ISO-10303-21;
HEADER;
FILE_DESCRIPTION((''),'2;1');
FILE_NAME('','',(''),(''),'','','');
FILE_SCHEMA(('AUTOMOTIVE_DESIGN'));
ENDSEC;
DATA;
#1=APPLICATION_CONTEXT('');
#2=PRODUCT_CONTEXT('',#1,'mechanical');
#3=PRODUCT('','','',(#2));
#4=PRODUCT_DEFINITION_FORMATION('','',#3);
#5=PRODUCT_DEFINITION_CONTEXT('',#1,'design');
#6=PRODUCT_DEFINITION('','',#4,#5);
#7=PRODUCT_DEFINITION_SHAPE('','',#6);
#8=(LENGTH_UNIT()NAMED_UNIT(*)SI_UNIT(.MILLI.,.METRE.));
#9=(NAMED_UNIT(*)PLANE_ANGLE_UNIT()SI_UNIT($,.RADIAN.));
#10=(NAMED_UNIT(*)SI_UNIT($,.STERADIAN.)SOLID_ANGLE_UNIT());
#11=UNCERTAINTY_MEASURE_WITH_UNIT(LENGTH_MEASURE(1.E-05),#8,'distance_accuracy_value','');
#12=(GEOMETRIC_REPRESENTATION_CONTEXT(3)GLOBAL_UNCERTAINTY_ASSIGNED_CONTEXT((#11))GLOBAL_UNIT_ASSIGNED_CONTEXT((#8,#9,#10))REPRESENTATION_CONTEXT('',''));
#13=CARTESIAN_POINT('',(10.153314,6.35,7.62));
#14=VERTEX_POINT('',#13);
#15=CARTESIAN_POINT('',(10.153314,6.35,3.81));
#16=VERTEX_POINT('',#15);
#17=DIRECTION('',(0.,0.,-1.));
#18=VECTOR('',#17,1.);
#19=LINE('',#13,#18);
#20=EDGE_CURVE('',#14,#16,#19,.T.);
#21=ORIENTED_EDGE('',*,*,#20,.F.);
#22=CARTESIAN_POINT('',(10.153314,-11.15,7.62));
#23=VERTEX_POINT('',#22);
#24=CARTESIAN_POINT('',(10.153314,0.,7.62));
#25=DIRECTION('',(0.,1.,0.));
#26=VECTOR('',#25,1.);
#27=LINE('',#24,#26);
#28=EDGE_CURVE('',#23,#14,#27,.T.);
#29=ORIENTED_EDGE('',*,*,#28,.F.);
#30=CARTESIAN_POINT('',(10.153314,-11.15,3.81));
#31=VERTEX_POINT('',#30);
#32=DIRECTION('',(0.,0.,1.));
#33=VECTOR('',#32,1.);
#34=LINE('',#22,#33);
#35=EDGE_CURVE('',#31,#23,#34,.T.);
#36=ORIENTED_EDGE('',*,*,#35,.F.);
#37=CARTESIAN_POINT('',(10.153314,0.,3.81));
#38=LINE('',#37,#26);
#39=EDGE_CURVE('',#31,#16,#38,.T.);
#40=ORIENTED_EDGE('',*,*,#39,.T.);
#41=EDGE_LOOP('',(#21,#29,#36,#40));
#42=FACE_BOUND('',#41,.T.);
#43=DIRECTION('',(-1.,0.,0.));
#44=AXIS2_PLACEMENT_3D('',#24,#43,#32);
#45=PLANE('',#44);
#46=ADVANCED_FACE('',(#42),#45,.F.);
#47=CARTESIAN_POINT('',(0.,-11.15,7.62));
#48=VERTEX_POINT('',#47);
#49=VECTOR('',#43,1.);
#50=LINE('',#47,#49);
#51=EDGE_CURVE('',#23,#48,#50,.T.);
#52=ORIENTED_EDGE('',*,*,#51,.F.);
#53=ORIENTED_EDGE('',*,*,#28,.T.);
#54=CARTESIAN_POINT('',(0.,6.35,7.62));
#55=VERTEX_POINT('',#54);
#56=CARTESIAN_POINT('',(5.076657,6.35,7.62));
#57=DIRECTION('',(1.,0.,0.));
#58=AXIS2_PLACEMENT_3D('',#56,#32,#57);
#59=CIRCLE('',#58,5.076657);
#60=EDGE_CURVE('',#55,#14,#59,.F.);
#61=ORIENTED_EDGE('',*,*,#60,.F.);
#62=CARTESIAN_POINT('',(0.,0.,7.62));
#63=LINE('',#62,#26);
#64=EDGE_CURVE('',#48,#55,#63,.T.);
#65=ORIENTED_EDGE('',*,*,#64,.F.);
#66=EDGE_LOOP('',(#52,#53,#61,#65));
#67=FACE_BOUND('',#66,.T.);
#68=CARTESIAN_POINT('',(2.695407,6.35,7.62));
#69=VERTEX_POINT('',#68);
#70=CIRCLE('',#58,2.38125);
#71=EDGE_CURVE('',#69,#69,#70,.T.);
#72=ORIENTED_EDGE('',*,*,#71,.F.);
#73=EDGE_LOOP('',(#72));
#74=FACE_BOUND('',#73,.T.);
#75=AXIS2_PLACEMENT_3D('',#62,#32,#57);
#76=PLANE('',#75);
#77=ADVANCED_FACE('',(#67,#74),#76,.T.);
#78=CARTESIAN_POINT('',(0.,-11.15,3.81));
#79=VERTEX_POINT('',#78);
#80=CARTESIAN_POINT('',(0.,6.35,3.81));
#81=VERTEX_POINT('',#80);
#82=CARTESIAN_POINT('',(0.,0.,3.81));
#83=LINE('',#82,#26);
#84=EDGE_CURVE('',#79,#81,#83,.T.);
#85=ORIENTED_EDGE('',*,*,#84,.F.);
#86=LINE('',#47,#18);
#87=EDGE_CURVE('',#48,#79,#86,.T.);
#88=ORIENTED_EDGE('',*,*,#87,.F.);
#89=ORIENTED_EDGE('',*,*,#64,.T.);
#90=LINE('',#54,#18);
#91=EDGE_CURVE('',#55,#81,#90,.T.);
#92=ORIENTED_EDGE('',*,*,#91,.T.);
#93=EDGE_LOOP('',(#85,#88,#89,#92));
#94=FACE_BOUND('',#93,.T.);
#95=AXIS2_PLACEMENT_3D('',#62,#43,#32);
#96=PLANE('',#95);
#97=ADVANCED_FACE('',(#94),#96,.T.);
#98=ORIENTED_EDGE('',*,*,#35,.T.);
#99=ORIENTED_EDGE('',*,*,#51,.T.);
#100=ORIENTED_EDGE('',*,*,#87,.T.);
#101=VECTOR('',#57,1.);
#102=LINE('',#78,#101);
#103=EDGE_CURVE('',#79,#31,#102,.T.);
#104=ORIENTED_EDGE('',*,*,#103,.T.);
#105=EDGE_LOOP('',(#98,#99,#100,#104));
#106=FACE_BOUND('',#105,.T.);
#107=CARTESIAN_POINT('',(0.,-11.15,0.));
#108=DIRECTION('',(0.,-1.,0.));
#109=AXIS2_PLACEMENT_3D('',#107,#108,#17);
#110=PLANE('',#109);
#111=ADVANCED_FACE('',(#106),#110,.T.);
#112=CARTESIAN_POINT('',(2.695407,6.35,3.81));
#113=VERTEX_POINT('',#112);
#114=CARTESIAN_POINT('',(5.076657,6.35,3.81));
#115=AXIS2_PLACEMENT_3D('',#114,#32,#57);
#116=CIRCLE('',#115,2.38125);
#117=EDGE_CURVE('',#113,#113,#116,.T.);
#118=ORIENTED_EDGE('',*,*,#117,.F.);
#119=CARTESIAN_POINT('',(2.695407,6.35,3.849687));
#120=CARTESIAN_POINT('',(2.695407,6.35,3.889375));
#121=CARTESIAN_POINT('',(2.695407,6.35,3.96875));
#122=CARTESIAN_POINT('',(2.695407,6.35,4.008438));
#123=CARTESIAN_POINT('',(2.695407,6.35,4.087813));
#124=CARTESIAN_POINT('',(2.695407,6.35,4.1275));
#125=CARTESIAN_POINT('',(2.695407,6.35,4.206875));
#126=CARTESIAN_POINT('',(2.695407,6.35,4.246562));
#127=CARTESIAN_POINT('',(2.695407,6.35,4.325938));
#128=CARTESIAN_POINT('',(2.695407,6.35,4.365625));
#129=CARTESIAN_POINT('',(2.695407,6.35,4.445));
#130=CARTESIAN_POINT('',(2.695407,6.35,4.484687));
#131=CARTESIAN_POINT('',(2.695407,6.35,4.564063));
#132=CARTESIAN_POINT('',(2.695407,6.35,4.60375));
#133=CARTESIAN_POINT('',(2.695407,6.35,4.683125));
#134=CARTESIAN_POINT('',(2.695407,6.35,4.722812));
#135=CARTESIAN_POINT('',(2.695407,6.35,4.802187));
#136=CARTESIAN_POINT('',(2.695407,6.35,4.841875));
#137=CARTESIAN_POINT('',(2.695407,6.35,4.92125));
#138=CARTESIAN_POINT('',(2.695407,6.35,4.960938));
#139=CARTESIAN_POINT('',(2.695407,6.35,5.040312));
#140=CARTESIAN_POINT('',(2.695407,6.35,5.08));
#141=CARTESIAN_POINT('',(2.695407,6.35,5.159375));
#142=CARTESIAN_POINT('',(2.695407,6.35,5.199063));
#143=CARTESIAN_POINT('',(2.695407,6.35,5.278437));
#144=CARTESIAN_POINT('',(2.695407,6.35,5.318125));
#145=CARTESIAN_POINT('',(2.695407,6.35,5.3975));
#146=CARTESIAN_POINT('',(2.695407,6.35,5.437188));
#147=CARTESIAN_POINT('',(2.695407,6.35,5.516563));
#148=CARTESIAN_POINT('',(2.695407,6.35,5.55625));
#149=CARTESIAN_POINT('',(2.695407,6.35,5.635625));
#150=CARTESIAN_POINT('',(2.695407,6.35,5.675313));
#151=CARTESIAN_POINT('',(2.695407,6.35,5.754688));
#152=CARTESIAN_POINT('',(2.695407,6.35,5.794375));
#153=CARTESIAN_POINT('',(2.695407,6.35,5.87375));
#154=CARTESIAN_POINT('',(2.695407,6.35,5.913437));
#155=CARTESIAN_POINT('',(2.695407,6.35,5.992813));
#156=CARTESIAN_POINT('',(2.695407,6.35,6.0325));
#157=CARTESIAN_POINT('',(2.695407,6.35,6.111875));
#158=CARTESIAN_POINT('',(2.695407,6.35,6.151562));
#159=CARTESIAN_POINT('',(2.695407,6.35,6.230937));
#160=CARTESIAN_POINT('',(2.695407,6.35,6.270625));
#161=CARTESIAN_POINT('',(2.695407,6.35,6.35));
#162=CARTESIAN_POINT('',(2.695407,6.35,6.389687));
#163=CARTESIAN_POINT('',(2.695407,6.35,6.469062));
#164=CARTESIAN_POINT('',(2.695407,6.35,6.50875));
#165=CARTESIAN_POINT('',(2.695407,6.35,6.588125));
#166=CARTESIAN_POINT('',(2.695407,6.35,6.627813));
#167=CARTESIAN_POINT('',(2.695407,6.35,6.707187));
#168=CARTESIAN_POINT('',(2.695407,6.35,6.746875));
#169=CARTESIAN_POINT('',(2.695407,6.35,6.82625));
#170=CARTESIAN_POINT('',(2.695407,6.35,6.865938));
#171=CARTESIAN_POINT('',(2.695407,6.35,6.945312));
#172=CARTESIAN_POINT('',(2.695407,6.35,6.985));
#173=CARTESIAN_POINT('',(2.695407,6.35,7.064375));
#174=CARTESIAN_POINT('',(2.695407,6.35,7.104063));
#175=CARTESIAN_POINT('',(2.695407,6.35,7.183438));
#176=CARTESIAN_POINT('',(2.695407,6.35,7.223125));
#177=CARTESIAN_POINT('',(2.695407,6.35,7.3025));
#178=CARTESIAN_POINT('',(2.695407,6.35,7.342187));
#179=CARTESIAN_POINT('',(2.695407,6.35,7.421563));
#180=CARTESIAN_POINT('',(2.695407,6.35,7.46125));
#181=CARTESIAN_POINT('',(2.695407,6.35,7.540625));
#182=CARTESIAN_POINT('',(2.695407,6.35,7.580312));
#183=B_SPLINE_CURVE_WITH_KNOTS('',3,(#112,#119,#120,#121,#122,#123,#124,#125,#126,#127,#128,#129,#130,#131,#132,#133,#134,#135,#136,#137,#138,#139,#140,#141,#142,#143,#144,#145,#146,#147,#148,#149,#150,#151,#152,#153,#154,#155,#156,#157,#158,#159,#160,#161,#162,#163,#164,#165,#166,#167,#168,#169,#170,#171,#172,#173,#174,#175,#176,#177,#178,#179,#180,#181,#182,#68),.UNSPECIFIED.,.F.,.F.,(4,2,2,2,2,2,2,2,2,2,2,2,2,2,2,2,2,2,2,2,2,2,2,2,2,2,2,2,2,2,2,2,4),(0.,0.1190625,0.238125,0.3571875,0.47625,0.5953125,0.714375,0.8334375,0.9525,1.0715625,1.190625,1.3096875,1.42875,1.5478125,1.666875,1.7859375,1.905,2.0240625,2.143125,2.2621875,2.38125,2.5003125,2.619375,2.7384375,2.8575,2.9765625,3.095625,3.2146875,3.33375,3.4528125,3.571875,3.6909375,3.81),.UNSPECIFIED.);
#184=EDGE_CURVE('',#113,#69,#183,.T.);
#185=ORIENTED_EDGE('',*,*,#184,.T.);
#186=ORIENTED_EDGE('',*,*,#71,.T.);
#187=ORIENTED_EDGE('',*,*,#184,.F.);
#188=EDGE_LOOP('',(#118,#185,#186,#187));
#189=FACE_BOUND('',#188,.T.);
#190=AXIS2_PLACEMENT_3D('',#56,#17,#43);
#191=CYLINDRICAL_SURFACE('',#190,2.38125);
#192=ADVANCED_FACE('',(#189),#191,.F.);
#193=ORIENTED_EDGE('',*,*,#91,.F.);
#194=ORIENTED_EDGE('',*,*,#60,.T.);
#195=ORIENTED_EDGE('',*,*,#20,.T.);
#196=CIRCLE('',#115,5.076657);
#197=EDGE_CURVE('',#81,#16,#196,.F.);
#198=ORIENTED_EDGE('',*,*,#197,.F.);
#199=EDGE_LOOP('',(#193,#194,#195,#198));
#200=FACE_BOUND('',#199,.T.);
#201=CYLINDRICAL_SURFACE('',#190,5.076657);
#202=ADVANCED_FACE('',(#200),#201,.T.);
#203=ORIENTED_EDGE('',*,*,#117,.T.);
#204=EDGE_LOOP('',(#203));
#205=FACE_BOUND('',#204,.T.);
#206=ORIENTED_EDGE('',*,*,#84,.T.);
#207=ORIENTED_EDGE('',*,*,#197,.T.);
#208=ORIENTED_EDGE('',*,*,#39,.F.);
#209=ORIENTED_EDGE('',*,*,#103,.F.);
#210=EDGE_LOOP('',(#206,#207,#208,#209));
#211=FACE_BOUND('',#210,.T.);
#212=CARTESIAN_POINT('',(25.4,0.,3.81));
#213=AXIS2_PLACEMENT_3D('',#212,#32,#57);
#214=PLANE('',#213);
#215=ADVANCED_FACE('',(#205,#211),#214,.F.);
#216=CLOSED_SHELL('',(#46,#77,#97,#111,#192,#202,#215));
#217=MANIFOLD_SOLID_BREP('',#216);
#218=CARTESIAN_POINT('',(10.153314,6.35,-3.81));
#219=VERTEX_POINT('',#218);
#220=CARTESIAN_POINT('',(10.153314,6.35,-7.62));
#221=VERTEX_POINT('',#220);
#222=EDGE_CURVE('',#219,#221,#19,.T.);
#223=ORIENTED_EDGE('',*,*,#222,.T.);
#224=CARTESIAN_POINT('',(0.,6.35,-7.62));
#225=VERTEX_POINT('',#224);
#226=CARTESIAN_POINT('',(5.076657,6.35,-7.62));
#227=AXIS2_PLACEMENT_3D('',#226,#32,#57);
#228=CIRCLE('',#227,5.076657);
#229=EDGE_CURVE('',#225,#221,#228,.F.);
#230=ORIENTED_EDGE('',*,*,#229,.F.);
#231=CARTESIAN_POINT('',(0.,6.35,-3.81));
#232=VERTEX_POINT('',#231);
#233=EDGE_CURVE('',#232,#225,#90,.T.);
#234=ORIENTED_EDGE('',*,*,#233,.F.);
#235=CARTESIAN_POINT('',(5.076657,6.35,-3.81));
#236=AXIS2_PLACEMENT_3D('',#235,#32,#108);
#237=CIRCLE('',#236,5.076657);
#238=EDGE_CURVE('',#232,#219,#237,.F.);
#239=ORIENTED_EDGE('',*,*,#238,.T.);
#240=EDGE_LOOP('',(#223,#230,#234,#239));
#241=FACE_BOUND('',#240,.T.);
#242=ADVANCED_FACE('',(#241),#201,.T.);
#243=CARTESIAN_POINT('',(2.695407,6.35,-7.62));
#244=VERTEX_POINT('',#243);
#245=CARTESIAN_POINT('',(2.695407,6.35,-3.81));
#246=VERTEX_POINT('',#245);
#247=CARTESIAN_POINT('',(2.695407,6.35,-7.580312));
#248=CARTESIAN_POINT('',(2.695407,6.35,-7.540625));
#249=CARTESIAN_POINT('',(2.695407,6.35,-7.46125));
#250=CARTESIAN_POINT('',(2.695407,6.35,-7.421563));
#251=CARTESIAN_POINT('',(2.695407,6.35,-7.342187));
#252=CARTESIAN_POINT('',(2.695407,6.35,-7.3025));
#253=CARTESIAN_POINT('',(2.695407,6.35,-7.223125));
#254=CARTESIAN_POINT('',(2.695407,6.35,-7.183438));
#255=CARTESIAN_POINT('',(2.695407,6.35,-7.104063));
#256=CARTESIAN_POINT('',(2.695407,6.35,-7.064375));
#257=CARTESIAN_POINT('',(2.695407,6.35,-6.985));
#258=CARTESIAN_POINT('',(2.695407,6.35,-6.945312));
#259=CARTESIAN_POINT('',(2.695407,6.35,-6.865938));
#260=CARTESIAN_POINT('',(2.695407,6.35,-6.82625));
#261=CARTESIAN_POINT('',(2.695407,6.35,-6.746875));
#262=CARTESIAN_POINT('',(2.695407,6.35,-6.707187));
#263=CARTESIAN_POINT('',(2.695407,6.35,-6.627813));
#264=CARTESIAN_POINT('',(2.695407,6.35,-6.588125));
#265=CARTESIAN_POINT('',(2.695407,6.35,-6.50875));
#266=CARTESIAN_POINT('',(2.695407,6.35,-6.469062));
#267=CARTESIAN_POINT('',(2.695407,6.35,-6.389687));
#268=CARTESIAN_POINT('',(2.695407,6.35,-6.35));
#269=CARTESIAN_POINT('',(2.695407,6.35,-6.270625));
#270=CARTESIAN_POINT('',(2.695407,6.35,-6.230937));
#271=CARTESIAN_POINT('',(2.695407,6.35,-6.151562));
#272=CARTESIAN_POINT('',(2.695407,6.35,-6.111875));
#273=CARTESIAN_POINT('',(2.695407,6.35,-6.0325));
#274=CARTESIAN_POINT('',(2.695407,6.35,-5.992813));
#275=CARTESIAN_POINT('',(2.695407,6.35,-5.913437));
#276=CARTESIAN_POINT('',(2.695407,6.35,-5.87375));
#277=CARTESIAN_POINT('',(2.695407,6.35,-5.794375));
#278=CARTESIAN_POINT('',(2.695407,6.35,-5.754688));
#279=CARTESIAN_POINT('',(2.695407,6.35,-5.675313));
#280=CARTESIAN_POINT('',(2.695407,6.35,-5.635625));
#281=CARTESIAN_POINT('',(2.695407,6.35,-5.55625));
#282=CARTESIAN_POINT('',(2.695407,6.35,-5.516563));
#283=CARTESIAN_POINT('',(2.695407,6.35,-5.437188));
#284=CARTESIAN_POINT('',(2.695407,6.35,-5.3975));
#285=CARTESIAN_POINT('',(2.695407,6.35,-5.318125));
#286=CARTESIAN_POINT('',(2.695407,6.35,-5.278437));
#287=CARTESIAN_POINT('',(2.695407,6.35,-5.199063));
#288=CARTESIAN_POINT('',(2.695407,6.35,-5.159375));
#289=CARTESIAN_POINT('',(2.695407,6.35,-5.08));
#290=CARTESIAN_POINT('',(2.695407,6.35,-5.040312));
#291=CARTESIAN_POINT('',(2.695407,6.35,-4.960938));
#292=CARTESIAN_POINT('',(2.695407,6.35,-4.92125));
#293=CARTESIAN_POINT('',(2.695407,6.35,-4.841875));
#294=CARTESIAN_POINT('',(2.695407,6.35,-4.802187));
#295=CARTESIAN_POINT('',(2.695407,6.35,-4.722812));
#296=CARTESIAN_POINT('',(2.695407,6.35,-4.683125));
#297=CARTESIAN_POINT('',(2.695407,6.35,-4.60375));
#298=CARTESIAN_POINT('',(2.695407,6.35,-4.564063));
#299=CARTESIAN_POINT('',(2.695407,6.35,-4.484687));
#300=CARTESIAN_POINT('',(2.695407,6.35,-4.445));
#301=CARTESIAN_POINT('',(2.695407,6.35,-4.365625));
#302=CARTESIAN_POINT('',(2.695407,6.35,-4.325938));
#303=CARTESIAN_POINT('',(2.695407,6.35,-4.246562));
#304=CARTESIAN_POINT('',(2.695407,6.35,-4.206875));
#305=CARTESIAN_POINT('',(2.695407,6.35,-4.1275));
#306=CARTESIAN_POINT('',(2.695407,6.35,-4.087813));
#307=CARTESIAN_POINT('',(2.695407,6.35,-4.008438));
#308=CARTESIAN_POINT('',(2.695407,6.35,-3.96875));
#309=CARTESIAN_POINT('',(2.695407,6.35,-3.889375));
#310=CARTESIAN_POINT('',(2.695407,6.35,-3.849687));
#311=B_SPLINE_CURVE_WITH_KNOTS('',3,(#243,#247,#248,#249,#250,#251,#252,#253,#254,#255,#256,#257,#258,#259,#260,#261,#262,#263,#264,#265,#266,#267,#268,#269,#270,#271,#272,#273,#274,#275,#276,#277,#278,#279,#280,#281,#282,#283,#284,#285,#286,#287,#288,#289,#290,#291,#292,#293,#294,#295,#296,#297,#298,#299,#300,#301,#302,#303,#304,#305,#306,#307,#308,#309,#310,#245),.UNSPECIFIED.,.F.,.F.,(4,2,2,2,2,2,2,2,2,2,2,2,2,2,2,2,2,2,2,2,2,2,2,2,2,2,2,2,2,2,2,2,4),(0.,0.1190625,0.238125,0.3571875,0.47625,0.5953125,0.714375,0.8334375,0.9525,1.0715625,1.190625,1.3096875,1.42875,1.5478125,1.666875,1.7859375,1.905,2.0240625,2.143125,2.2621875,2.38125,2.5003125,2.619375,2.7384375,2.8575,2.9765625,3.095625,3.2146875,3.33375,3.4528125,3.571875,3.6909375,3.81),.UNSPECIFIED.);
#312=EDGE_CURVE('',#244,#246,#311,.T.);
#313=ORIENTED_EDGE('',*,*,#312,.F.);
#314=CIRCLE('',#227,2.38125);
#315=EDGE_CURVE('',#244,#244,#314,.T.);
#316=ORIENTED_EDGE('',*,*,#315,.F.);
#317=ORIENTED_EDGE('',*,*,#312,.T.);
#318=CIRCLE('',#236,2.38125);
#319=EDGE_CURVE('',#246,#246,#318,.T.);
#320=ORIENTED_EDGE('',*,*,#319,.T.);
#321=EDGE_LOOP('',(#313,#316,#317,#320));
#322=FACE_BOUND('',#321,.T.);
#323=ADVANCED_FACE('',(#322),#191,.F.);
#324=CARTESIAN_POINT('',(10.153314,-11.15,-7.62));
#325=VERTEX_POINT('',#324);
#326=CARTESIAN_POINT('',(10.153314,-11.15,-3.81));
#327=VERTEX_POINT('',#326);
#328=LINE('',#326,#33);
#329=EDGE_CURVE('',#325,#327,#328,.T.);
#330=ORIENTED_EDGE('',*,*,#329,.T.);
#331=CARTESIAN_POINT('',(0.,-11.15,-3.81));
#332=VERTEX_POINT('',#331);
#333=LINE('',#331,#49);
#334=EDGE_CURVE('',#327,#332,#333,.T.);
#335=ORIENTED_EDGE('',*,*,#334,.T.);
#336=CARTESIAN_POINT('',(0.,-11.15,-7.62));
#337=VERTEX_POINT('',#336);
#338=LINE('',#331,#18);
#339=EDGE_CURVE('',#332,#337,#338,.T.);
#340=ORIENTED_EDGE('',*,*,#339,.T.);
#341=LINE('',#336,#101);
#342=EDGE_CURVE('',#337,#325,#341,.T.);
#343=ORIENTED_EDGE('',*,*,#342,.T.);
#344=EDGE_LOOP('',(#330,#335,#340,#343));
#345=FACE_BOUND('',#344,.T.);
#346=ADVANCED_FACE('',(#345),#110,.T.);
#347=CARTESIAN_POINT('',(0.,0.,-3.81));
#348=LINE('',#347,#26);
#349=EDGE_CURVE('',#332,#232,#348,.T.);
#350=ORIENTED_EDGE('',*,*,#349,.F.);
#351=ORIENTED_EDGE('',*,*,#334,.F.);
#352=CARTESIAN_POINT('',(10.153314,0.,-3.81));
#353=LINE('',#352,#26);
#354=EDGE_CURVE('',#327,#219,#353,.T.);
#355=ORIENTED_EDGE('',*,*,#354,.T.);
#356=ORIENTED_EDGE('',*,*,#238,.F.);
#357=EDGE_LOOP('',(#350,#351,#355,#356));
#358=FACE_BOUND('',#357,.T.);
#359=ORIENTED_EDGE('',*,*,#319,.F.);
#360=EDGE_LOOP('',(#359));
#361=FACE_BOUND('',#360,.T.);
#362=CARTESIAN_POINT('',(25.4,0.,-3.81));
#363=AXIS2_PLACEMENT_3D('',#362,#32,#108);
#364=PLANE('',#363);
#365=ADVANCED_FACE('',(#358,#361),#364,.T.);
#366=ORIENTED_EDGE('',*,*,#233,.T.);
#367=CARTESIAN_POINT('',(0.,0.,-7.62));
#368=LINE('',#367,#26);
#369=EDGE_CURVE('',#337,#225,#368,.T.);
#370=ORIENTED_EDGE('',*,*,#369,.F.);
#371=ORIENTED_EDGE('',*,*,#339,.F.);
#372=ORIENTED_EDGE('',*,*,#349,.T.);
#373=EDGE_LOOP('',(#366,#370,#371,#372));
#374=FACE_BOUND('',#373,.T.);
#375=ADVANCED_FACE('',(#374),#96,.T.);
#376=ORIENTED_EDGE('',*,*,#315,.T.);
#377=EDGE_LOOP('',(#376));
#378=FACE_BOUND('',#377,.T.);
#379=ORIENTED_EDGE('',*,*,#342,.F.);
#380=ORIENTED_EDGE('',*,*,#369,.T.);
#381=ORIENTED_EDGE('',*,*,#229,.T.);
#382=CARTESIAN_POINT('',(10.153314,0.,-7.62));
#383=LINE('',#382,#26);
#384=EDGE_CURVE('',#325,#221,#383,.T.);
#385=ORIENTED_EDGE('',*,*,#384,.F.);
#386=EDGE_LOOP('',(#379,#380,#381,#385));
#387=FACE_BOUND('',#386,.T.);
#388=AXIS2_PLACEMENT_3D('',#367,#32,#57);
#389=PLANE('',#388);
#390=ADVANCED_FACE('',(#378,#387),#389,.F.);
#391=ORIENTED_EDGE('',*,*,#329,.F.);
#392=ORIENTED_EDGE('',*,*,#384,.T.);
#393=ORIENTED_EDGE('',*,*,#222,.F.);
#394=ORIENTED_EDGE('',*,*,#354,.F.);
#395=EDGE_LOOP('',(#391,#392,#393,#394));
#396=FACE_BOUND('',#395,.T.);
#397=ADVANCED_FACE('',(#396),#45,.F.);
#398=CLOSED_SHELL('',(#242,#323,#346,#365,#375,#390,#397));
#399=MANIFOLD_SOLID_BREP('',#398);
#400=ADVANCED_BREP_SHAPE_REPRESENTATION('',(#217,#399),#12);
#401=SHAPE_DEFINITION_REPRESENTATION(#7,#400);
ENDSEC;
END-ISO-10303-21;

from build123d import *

# Parameters (mm, degrees)
SKETCH1_R           = 2.38125
BOSS_EXTRUDE1_DEPTH = 7.62
SKETCH2_W           = 7.62
SKETCH2_H           = 24.17124054
CUT_EXTRUDE1_DEPTH  = 25.4
SKETCH3_W           = 10.153313745
SKETCH3_H           = 3.81
BOSS_EXTRUDE2_DEPTH = 11.15


with BuildPart() as part:
    # Sketch1 → Boss-Extrude1 (new, symmetric)
    with BuildSketch(Plane.XY):
        with BuildLine():
            Line((0, 6.35), (0, 0))
            Line((0, 0), (10.153313745, 0))
            Line((10.153313745, 0), (10.153313745, 6.35))
            ThreePointArc((10.153313745, 6.35), (5.076656873, 11.426656873), (0, 6.35))
        make_face()
        with Locations((5.076656873, 6.35)):
            Circle(SKETCH1_R, mode=Mode.SUBTRACT)
    extrude(amount=BOSS_EXTRUDE1_DEPTH, both=True)

    # Sketch2 → Cut-Extrude1 (cut)
    with BuildSketch(Plane.ZY):
        with Locations((0, 12.08562027)):
            Rectangle(SKETCH2_W, SKETCH2_H)
    extrude(amount=-CUT_EXTRUDE1_DEPTH, mode=Mode.SUBTRACT)


with BuildPart() as cut_extrude1_piece_1:
    # of the separate pieces the step leaves, piece 1, a body of its own (cut_extrude1_pieces)
    add(part.part.solids().sort_by_distance((10.153313745, 6.35, -3.81))[0])



with BuildPart() as cut_extrude1_piece_2:
    # of the separate pieces the step leaves, piece 2, a body of its own (cut_extrude1_pieces)
    add(part.part.solids().sort_by_distance((10.153313745, 6.35, 7.62))[0])


with BuildPart() as cut_extrude1_piece_1_1:
    add(cut_extrude1_piece_1.part)

    add(cut_extrude1_piece_2.part)  # Boss-Extrude2 merges Cut-Extrude1 piece 2
    # Sketch3 → Boss-Extrude2 (add)
    with BuildSketch(Plane.XZ):
        with Locations((5.076656873, 5.715)):
            Rectangle(SKETCH3_W, SKETCH3_H)
        with Locations((5.076656873, -5.715)):
            Rectangle(SKETCH3_W, SKETCH3_H)
    extrude(amount=BOSS_EXTRUDE2_DEPTH)


solid = cut_extrude1_piece_1_1.part
